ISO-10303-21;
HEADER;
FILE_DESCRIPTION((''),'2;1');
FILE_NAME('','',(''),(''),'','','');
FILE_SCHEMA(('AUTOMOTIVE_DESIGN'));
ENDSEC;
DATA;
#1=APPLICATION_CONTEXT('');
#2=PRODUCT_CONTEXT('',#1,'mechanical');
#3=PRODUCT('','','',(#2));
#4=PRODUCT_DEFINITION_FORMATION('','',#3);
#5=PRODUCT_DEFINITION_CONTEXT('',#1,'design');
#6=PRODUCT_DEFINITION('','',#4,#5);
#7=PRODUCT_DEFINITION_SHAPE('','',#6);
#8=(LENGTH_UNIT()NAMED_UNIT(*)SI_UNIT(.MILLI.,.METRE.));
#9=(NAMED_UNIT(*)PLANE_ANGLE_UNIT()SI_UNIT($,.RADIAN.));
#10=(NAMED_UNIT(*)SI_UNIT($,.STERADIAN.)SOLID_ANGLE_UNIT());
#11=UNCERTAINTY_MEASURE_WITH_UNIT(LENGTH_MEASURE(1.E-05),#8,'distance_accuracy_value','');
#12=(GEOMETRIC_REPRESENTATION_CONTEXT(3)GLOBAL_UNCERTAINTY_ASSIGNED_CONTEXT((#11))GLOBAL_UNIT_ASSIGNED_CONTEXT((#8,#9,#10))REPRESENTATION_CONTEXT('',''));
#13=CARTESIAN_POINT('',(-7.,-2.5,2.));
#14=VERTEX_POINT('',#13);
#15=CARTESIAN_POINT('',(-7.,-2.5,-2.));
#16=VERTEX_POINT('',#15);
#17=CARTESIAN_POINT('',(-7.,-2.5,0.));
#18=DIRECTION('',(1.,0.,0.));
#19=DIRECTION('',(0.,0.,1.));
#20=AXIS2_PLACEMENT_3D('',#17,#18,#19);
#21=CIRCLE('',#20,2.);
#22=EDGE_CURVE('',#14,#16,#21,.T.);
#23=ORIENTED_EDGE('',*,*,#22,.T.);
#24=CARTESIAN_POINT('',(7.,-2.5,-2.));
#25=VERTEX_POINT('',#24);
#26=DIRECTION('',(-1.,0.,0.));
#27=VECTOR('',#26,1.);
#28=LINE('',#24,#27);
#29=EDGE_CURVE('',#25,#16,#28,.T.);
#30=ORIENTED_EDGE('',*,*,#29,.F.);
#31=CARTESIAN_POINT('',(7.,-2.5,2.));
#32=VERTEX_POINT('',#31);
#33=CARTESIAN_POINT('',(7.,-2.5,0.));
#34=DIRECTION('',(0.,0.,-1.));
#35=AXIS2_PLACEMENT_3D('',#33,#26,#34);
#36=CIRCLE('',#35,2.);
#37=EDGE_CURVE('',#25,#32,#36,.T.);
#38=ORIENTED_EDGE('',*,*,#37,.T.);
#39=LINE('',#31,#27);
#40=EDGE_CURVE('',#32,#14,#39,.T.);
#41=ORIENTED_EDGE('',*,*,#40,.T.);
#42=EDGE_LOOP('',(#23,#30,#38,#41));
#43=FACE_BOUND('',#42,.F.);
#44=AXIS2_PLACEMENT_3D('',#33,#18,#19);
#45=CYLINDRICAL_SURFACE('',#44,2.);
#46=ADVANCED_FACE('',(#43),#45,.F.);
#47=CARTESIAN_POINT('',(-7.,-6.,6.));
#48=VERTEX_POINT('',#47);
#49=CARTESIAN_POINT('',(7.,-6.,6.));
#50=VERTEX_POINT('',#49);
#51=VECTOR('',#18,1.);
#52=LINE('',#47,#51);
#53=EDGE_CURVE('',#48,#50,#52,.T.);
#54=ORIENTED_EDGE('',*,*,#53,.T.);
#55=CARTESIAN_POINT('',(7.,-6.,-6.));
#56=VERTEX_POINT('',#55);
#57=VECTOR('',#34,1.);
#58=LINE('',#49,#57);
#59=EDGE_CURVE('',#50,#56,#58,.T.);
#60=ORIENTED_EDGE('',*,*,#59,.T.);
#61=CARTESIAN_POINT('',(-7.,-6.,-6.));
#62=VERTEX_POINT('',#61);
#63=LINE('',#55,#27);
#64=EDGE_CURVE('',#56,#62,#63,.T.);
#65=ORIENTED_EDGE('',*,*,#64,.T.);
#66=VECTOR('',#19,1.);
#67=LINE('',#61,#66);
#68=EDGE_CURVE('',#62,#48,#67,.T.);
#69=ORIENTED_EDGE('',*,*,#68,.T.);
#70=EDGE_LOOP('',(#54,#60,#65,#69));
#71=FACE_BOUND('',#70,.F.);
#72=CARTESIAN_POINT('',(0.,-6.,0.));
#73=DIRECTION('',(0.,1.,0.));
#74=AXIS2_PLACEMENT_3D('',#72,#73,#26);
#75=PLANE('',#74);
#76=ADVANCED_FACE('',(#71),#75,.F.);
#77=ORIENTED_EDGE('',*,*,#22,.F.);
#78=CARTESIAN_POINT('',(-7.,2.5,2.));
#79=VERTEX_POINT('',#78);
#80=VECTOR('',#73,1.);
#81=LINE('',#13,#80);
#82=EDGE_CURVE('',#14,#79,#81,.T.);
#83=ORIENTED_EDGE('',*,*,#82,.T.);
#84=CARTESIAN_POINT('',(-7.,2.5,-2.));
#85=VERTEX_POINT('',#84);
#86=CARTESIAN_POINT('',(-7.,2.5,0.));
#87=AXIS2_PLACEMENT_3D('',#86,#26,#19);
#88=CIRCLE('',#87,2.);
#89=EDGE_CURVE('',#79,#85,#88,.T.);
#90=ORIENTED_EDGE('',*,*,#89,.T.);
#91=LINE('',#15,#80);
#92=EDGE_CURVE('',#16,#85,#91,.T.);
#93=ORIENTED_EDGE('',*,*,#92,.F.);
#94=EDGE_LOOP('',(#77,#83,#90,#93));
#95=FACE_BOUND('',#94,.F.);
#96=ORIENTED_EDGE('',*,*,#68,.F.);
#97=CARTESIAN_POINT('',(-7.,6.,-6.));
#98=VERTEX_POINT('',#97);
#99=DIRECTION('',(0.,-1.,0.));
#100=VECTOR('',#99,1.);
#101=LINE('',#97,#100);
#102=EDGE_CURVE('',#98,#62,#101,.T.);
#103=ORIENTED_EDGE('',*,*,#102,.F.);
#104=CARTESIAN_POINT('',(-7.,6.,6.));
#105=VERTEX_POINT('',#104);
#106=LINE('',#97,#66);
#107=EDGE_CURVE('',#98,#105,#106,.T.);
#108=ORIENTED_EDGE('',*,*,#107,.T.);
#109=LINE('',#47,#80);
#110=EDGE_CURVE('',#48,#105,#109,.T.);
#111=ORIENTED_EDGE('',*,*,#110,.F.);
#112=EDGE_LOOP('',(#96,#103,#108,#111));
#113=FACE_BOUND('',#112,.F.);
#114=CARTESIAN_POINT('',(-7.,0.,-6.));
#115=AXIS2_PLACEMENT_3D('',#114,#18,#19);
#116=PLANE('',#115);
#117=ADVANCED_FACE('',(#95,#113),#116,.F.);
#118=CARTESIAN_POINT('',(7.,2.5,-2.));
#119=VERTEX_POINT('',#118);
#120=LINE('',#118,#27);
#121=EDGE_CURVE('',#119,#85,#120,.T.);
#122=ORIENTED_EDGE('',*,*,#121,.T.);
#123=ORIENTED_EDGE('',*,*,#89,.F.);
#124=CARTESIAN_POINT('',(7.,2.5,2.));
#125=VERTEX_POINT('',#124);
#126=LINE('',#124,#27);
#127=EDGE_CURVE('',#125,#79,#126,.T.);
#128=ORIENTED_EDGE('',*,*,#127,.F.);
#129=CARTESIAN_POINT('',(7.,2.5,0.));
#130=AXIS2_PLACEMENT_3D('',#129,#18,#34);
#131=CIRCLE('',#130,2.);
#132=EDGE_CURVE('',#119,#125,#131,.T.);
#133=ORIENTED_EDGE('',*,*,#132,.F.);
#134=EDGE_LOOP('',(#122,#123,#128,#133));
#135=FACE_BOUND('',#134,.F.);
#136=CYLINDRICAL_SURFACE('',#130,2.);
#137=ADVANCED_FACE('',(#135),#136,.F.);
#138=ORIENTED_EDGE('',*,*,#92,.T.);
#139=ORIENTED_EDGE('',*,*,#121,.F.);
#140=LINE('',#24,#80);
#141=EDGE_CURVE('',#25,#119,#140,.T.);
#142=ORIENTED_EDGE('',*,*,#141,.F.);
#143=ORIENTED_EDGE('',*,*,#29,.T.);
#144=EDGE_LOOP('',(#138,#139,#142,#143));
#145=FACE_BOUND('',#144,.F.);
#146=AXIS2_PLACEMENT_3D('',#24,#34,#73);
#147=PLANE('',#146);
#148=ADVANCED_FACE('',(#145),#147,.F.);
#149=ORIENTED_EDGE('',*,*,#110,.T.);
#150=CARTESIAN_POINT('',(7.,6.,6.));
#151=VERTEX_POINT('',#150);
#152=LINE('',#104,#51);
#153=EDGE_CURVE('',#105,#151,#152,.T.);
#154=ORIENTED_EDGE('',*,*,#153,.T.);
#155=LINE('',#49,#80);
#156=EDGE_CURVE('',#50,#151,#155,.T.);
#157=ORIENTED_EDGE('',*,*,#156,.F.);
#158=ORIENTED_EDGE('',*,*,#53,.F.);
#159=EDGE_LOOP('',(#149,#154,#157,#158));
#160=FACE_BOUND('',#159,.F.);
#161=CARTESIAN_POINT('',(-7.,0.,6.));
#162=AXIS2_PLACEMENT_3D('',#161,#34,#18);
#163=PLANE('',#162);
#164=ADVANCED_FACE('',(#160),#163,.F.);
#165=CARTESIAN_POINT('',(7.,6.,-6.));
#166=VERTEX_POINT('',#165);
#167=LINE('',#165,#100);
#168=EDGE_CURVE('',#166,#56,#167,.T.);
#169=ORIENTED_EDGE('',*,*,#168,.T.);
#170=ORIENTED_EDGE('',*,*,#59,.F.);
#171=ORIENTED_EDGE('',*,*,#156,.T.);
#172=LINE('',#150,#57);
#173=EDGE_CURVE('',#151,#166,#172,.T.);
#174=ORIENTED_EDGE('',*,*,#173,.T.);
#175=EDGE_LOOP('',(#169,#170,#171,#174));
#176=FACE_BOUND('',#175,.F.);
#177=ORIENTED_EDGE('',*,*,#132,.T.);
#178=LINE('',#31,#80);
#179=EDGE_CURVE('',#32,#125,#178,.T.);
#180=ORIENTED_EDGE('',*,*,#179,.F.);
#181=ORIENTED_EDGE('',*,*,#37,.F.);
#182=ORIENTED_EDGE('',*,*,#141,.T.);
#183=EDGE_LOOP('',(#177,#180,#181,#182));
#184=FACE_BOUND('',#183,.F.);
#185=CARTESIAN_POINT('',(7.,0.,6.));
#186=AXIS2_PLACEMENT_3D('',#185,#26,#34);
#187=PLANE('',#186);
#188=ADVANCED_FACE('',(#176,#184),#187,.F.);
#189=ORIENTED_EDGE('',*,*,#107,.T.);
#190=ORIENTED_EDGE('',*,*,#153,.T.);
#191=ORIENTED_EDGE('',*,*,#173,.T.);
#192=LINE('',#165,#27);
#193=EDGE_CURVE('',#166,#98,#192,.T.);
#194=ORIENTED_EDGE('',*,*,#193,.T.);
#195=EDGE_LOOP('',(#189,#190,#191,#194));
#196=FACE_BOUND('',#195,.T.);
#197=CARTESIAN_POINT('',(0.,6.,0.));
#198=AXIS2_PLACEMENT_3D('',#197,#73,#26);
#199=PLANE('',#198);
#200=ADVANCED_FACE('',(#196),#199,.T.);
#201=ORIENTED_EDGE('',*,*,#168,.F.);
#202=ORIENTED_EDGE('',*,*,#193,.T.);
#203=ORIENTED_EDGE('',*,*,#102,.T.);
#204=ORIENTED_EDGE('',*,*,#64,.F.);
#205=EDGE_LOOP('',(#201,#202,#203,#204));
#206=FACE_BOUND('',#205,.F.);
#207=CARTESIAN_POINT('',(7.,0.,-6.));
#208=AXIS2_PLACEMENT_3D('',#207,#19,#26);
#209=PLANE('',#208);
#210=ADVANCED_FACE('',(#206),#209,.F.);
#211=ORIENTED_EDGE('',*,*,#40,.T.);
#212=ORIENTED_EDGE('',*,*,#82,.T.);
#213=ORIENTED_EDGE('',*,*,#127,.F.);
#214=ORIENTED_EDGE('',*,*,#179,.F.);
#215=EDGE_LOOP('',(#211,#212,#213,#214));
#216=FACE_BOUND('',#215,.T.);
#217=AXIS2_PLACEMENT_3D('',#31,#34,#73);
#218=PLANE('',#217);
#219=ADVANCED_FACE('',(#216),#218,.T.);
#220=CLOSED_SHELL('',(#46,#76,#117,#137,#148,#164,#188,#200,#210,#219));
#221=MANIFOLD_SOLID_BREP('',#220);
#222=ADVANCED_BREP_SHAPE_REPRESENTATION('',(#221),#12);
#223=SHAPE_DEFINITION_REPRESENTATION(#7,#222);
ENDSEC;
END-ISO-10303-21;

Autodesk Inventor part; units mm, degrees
ref_plane "YZ Plane" through (0, 0, 0) normal (1, 0, 0) x (0, 1, 0)
ref_plane "XZ Plane" through (0, 0, 0) normal (0, 1, 0) x (-1, 0, 0)
ref_plane "XY Plane" through (0, 0, 0) normal (0, 0, 1) x (1, 0, 0)
sketch "스케치1" plane through (0, 0, 0) normal (0, 1, 0) x (-1, 0, 0)
  line L0 (7, 6) -> (-7, 6)
  line L1 (-7, 6) -> (-7, -6)
  line L2 (-7, -6) -> (7, -6)
  line L3 (7, -6) -> (7, 6)
  line L4 (7, 6) -> (-7, -6) construction
  line L5 (-7, 6) -> (7, -6) construction
  point P0 (0, 0)
  dimension "d0" = 14
  dimension "d1" = 12
extrude "돌출1" add sketch "스케치1" along normal mid plane 12
sketch "스케치3" plane through (7, -6, -6) normal (1, 0, 0) x (0, 0, -1)
  line L0 (-14.9639, 6) -> (4.1102, 6) construction
  line L1 (-6, -0.8058) -> (-6, 13.755)
  line L2 (-12, 12) -> (0, 12) projected
  line L3 (-14.4911, 8.5) -> (7.0888, 8.5)
  arc A0 (-4, 8.5) -> (-8, 8.5) centre (-6, 8.5) ccw
  arc A1 (-8, 3.5) -> (-4, 3.5) centre (-6, 3.5) ccw
  line L4 (-8, 3.5) -> (-8, 8.5)
  line L5 (-4, 3.5) -> (-4, 8.5)
  point P0 (-6, 6)
  dimension "d8" = 6
  dimension "d9" = 5
  dimension "d10" = 4
extrude "돌출2" cut sketch "스케치3" against normal up to surface (14 mm away)
properties part number "multiblock_12x12x14" material "폴리스티렌"
